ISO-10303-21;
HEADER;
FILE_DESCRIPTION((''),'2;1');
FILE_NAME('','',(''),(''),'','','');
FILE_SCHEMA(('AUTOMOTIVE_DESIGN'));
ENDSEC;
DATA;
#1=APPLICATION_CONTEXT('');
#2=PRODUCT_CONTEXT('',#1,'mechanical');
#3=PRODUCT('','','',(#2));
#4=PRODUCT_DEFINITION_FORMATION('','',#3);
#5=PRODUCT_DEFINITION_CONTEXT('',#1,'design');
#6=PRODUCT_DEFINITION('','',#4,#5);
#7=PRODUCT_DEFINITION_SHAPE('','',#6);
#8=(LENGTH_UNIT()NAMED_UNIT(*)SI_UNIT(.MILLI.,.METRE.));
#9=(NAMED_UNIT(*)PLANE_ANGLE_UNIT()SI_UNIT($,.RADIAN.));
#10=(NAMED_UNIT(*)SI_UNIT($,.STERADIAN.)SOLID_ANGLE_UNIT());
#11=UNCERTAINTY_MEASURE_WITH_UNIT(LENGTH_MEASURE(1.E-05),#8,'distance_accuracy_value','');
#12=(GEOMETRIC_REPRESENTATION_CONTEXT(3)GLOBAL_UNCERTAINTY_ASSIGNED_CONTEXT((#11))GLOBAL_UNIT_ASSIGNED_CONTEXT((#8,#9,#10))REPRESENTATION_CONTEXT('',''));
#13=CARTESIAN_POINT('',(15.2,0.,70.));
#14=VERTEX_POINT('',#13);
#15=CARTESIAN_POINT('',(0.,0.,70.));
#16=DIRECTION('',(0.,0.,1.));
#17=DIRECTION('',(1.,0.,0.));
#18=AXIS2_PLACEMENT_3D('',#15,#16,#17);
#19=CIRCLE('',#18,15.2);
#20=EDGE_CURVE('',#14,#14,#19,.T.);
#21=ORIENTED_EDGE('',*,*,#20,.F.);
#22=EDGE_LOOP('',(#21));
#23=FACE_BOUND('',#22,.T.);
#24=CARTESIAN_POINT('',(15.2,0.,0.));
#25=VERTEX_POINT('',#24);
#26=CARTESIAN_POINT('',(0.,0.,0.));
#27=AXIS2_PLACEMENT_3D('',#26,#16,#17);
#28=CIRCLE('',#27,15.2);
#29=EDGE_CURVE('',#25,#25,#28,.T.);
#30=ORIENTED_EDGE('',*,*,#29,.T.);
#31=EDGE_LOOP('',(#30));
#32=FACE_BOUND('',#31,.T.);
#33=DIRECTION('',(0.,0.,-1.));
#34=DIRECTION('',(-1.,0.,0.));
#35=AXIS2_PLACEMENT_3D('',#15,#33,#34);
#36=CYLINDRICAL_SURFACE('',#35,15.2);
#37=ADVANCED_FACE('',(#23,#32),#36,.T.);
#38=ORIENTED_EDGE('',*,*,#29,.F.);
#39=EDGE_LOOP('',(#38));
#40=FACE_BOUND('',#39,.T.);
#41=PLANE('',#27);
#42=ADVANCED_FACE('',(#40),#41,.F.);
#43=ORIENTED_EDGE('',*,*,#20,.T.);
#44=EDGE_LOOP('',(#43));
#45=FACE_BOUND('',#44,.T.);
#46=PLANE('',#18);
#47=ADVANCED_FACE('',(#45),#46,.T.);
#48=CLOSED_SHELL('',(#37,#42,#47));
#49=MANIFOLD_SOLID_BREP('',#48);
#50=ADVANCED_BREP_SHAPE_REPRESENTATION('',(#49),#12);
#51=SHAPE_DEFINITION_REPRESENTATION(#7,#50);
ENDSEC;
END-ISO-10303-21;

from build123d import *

# Parameters (mm, degrees)
CROQUIS1_R              = 15.2
SALIENTE_EXTRUIR1_DEPTH = 70


with BuildPart() as part:
    # Croquis1 → Saliente-Extruir1 (new body)
    with BuildSketch(Plane.XY):
        Circle(CROQUIS1_R)
    extrude(amount=SALIENTE_EXTRUIR1_DEPTH)


solid = part.part
